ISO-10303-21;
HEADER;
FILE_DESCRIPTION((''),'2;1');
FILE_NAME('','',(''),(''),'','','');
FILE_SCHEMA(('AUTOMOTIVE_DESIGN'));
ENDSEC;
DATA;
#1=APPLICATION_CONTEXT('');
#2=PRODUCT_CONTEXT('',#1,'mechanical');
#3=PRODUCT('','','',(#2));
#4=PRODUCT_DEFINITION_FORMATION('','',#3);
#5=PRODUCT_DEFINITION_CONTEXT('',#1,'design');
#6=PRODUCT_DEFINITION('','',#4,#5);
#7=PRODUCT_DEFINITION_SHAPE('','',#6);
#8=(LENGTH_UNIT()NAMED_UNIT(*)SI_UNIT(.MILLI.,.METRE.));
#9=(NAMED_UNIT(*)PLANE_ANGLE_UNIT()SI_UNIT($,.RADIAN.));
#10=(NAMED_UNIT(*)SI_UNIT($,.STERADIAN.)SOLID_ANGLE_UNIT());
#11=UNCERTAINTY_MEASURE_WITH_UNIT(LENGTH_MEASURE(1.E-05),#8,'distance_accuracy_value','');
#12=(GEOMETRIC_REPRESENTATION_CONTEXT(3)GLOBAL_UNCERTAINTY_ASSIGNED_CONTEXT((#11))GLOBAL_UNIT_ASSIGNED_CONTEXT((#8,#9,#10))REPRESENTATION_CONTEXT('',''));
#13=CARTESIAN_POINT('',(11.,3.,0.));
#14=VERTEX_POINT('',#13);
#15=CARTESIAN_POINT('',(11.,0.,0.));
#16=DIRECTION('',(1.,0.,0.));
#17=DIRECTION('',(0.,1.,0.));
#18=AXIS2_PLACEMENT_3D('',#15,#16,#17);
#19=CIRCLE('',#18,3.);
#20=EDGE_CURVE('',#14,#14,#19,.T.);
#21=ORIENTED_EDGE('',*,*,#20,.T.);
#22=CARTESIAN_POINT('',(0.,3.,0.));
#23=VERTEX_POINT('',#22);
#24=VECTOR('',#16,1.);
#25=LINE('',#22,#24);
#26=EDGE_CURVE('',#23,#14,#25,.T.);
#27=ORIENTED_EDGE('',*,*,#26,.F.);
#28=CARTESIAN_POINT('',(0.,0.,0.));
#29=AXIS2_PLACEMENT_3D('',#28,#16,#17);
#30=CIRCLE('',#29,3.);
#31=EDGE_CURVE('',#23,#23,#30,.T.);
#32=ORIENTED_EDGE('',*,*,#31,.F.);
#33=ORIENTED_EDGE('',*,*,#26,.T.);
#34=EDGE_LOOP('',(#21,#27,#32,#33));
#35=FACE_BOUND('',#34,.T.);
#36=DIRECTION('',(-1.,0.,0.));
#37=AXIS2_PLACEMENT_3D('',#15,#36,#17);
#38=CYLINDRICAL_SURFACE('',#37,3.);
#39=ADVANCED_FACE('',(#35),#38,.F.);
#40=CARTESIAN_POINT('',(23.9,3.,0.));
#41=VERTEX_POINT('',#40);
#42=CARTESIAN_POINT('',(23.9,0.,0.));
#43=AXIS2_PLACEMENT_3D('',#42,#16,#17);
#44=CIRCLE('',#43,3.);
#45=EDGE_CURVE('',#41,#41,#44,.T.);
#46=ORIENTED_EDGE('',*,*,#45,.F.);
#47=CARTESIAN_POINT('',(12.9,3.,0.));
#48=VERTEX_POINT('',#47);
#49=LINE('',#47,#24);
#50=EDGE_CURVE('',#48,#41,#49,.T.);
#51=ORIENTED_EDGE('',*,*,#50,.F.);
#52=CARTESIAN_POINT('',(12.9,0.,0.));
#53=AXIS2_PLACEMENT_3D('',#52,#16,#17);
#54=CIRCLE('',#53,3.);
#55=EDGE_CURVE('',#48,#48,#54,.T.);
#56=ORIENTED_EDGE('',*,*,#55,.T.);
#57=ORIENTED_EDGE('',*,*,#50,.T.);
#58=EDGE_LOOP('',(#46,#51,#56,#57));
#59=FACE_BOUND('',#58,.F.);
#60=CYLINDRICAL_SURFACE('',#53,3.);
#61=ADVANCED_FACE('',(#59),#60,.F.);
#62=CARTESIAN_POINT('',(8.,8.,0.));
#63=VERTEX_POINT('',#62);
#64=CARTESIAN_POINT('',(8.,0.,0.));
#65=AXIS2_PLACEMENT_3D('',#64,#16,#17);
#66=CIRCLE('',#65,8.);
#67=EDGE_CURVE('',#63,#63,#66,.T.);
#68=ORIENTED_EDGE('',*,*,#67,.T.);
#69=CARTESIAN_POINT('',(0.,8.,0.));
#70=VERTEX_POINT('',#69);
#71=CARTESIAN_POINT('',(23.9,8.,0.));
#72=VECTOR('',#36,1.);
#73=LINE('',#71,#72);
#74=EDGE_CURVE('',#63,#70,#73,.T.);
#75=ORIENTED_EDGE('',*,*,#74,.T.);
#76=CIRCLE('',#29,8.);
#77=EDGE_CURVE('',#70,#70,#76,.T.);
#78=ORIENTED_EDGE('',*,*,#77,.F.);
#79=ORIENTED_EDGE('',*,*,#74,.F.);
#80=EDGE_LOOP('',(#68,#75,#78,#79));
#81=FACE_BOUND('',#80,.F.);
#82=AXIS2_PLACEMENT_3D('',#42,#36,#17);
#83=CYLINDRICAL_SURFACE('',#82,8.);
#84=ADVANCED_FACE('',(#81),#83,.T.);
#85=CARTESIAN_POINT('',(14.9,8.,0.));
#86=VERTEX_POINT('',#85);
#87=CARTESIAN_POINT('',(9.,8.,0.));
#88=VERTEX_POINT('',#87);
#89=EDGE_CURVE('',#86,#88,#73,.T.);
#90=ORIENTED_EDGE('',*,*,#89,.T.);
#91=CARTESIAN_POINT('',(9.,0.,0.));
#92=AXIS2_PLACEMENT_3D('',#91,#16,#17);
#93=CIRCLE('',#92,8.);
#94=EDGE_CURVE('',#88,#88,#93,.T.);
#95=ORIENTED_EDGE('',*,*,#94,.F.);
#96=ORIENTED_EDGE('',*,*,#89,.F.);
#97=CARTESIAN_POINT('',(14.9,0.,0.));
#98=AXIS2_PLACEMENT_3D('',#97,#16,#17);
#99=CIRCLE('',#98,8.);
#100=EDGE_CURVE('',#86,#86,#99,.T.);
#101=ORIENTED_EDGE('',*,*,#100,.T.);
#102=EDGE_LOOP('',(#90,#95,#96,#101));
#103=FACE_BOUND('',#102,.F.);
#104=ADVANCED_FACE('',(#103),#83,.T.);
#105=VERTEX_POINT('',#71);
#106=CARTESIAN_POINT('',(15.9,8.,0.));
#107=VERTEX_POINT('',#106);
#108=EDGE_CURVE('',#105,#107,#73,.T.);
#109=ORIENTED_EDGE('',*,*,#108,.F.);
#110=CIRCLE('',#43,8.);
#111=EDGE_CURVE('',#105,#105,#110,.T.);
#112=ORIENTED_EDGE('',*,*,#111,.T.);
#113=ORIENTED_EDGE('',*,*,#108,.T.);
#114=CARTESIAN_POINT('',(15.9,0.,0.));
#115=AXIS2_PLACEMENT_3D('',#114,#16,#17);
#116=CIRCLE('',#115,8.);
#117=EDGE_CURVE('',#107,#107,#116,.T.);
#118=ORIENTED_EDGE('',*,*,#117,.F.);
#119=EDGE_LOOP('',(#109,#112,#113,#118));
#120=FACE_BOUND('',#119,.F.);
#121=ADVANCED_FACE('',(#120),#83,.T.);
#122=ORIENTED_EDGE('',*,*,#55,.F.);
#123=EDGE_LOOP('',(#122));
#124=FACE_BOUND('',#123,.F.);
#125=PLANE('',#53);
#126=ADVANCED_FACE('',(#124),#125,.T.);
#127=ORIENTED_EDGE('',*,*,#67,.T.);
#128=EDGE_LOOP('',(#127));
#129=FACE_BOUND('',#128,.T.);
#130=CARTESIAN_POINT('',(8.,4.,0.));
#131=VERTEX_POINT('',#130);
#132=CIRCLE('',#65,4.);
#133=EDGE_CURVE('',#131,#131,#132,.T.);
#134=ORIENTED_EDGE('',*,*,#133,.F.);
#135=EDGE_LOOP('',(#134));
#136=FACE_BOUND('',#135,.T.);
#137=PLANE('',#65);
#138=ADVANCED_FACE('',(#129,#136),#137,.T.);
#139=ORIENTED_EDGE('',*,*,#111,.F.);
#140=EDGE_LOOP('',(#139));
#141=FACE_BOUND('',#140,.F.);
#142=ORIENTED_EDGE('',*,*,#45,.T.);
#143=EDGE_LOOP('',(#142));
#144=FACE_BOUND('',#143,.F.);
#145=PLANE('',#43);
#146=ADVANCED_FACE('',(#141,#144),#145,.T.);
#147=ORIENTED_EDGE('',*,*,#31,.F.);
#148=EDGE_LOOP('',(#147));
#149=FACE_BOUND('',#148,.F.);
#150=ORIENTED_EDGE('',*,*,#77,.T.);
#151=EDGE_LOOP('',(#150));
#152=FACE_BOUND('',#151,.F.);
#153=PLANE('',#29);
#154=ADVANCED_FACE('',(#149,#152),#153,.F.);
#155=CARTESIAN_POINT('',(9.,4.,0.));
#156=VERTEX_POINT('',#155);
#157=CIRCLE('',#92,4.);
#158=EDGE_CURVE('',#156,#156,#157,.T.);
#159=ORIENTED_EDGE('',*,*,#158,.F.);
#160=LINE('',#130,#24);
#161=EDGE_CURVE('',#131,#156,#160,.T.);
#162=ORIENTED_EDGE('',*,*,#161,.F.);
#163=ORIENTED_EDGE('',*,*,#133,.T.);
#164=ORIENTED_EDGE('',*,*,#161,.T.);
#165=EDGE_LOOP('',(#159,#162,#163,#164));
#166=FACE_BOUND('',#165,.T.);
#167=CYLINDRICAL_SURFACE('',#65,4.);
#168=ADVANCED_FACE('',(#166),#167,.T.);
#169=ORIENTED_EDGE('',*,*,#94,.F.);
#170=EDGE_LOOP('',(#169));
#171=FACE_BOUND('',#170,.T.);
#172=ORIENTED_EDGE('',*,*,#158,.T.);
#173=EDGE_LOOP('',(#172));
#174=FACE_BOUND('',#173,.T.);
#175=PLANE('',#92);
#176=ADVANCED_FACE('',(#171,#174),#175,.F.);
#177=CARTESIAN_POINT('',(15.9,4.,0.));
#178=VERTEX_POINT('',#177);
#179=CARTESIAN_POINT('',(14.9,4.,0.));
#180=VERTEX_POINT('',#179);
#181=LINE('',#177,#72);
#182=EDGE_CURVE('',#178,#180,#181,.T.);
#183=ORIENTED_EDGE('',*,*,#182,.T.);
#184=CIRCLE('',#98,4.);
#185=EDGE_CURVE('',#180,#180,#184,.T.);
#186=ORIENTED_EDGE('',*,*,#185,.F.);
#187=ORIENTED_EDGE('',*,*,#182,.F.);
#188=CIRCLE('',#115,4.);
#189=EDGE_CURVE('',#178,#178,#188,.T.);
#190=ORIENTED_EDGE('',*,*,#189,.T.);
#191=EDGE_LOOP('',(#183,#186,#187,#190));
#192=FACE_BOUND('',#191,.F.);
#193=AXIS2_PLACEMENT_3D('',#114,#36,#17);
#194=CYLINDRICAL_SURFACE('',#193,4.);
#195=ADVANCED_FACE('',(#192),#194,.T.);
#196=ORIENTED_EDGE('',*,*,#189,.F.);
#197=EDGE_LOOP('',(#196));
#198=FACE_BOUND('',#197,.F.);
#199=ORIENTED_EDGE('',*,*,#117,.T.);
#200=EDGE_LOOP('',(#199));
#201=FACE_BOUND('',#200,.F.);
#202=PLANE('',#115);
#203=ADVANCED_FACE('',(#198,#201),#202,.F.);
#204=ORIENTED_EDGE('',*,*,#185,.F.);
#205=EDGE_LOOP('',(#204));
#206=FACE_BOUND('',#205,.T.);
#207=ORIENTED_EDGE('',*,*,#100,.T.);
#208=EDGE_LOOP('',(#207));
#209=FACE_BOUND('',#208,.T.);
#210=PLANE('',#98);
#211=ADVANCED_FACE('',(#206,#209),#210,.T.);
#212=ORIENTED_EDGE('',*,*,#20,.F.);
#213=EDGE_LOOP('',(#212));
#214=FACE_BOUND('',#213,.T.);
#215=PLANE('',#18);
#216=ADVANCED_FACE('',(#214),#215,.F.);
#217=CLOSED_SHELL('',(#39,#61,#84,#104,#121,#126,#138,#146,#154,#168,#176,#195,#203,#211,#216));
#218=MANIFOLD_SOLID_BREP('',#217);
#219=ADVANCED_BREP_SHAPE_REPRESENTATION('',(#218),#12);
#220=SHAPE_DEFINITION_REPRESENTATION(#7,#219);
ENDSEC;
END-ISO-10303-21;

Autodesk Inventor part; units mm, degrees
ref_plane "YZ Plane" through (0, 0, 0) normal (1, 0, 0) x (0, 1, 0)
ref_plane "XZ Plane" through (0, 0, 0) normal (0, 1, 0) x (-1, 0, 0)
ref_plane "XY Plane" through (0, 0, 0) normal (0, 0, 1) x (1, 0, 0)
sketch "スケッチ1" plane through (0, 0, 0) normal (0, 0, 1) x (1, 0, 0)
  line L0 (0, 0) -> (23.9, 0)
  line L1 (23.9, 0) -> (23.9, 8)
  line L2 (23.9, 8) -> (0, 8)
  line L3 (0, 8) -> (0, 0)
  line L4 (0, 0) -> (11, 0)
  line L5 (11, 0) -> (11, 3)
  line L6 (11, 3) -> (0, 3)
  line L7 (0, 3) -> (0, 0)
  line L8 (23.9, 0) -> (12.9, 0)
  line L9 (12.9, 0) -> (12.9, 3)
  line L10 (12.9, 3) -> (23.9, 3)
  line L11 (23.9, 3) -> (23.9, 0)
  line L12 (9, 8) -> (14.9, 8)
  line L13 (14.9, 8) -> (14.9, 0)
  line L14 (14.9, 0) -> (9, 0)
  line L15 (9, 0) -> (9, 8)
  line L16 (9, 8) -> (8, 8)
  line L17 (8, 8) -> (8, 4)
  line L18 (8, 4) -> (9, 4)
  line L19 (9, 4) -> (9, 8)
  line L20 (14.9, 8) -> (15.9, 8)
  line L21 (15.9, 8) -> (15.9, 4)
  line L22 (15.9, 4) -> (14.9, 4)
  line L23 (14.9, 4) -> (14.9, 8)
  dimension "d0" = 8
  dimension "d1" = 23.9
  dimension "d2" = 11
  dimension "d3" = 3
  dimension "d4" = 11
  dimension "d5" = 3
  dimension "d6" = 2
  dimension "d7" = 2
  dimension "d8" = 1
  dimension "d9" = 4
  dimension "d10" = 1
  dimension "d11" = 4
revolve "回転1" add sketch "スケッチ1" angle 360 about axis through (0, 0, 0) along (1, 0, 0) contours L3 L2 L17 L18 L15 L6 | L5 L6 L15 L2 L13 L10 L9 L0 | L13 L22 L21 L2 L1 L10
properties part number "Coupling_SOH_16C_6_6" material "アルミニウム 6061"
